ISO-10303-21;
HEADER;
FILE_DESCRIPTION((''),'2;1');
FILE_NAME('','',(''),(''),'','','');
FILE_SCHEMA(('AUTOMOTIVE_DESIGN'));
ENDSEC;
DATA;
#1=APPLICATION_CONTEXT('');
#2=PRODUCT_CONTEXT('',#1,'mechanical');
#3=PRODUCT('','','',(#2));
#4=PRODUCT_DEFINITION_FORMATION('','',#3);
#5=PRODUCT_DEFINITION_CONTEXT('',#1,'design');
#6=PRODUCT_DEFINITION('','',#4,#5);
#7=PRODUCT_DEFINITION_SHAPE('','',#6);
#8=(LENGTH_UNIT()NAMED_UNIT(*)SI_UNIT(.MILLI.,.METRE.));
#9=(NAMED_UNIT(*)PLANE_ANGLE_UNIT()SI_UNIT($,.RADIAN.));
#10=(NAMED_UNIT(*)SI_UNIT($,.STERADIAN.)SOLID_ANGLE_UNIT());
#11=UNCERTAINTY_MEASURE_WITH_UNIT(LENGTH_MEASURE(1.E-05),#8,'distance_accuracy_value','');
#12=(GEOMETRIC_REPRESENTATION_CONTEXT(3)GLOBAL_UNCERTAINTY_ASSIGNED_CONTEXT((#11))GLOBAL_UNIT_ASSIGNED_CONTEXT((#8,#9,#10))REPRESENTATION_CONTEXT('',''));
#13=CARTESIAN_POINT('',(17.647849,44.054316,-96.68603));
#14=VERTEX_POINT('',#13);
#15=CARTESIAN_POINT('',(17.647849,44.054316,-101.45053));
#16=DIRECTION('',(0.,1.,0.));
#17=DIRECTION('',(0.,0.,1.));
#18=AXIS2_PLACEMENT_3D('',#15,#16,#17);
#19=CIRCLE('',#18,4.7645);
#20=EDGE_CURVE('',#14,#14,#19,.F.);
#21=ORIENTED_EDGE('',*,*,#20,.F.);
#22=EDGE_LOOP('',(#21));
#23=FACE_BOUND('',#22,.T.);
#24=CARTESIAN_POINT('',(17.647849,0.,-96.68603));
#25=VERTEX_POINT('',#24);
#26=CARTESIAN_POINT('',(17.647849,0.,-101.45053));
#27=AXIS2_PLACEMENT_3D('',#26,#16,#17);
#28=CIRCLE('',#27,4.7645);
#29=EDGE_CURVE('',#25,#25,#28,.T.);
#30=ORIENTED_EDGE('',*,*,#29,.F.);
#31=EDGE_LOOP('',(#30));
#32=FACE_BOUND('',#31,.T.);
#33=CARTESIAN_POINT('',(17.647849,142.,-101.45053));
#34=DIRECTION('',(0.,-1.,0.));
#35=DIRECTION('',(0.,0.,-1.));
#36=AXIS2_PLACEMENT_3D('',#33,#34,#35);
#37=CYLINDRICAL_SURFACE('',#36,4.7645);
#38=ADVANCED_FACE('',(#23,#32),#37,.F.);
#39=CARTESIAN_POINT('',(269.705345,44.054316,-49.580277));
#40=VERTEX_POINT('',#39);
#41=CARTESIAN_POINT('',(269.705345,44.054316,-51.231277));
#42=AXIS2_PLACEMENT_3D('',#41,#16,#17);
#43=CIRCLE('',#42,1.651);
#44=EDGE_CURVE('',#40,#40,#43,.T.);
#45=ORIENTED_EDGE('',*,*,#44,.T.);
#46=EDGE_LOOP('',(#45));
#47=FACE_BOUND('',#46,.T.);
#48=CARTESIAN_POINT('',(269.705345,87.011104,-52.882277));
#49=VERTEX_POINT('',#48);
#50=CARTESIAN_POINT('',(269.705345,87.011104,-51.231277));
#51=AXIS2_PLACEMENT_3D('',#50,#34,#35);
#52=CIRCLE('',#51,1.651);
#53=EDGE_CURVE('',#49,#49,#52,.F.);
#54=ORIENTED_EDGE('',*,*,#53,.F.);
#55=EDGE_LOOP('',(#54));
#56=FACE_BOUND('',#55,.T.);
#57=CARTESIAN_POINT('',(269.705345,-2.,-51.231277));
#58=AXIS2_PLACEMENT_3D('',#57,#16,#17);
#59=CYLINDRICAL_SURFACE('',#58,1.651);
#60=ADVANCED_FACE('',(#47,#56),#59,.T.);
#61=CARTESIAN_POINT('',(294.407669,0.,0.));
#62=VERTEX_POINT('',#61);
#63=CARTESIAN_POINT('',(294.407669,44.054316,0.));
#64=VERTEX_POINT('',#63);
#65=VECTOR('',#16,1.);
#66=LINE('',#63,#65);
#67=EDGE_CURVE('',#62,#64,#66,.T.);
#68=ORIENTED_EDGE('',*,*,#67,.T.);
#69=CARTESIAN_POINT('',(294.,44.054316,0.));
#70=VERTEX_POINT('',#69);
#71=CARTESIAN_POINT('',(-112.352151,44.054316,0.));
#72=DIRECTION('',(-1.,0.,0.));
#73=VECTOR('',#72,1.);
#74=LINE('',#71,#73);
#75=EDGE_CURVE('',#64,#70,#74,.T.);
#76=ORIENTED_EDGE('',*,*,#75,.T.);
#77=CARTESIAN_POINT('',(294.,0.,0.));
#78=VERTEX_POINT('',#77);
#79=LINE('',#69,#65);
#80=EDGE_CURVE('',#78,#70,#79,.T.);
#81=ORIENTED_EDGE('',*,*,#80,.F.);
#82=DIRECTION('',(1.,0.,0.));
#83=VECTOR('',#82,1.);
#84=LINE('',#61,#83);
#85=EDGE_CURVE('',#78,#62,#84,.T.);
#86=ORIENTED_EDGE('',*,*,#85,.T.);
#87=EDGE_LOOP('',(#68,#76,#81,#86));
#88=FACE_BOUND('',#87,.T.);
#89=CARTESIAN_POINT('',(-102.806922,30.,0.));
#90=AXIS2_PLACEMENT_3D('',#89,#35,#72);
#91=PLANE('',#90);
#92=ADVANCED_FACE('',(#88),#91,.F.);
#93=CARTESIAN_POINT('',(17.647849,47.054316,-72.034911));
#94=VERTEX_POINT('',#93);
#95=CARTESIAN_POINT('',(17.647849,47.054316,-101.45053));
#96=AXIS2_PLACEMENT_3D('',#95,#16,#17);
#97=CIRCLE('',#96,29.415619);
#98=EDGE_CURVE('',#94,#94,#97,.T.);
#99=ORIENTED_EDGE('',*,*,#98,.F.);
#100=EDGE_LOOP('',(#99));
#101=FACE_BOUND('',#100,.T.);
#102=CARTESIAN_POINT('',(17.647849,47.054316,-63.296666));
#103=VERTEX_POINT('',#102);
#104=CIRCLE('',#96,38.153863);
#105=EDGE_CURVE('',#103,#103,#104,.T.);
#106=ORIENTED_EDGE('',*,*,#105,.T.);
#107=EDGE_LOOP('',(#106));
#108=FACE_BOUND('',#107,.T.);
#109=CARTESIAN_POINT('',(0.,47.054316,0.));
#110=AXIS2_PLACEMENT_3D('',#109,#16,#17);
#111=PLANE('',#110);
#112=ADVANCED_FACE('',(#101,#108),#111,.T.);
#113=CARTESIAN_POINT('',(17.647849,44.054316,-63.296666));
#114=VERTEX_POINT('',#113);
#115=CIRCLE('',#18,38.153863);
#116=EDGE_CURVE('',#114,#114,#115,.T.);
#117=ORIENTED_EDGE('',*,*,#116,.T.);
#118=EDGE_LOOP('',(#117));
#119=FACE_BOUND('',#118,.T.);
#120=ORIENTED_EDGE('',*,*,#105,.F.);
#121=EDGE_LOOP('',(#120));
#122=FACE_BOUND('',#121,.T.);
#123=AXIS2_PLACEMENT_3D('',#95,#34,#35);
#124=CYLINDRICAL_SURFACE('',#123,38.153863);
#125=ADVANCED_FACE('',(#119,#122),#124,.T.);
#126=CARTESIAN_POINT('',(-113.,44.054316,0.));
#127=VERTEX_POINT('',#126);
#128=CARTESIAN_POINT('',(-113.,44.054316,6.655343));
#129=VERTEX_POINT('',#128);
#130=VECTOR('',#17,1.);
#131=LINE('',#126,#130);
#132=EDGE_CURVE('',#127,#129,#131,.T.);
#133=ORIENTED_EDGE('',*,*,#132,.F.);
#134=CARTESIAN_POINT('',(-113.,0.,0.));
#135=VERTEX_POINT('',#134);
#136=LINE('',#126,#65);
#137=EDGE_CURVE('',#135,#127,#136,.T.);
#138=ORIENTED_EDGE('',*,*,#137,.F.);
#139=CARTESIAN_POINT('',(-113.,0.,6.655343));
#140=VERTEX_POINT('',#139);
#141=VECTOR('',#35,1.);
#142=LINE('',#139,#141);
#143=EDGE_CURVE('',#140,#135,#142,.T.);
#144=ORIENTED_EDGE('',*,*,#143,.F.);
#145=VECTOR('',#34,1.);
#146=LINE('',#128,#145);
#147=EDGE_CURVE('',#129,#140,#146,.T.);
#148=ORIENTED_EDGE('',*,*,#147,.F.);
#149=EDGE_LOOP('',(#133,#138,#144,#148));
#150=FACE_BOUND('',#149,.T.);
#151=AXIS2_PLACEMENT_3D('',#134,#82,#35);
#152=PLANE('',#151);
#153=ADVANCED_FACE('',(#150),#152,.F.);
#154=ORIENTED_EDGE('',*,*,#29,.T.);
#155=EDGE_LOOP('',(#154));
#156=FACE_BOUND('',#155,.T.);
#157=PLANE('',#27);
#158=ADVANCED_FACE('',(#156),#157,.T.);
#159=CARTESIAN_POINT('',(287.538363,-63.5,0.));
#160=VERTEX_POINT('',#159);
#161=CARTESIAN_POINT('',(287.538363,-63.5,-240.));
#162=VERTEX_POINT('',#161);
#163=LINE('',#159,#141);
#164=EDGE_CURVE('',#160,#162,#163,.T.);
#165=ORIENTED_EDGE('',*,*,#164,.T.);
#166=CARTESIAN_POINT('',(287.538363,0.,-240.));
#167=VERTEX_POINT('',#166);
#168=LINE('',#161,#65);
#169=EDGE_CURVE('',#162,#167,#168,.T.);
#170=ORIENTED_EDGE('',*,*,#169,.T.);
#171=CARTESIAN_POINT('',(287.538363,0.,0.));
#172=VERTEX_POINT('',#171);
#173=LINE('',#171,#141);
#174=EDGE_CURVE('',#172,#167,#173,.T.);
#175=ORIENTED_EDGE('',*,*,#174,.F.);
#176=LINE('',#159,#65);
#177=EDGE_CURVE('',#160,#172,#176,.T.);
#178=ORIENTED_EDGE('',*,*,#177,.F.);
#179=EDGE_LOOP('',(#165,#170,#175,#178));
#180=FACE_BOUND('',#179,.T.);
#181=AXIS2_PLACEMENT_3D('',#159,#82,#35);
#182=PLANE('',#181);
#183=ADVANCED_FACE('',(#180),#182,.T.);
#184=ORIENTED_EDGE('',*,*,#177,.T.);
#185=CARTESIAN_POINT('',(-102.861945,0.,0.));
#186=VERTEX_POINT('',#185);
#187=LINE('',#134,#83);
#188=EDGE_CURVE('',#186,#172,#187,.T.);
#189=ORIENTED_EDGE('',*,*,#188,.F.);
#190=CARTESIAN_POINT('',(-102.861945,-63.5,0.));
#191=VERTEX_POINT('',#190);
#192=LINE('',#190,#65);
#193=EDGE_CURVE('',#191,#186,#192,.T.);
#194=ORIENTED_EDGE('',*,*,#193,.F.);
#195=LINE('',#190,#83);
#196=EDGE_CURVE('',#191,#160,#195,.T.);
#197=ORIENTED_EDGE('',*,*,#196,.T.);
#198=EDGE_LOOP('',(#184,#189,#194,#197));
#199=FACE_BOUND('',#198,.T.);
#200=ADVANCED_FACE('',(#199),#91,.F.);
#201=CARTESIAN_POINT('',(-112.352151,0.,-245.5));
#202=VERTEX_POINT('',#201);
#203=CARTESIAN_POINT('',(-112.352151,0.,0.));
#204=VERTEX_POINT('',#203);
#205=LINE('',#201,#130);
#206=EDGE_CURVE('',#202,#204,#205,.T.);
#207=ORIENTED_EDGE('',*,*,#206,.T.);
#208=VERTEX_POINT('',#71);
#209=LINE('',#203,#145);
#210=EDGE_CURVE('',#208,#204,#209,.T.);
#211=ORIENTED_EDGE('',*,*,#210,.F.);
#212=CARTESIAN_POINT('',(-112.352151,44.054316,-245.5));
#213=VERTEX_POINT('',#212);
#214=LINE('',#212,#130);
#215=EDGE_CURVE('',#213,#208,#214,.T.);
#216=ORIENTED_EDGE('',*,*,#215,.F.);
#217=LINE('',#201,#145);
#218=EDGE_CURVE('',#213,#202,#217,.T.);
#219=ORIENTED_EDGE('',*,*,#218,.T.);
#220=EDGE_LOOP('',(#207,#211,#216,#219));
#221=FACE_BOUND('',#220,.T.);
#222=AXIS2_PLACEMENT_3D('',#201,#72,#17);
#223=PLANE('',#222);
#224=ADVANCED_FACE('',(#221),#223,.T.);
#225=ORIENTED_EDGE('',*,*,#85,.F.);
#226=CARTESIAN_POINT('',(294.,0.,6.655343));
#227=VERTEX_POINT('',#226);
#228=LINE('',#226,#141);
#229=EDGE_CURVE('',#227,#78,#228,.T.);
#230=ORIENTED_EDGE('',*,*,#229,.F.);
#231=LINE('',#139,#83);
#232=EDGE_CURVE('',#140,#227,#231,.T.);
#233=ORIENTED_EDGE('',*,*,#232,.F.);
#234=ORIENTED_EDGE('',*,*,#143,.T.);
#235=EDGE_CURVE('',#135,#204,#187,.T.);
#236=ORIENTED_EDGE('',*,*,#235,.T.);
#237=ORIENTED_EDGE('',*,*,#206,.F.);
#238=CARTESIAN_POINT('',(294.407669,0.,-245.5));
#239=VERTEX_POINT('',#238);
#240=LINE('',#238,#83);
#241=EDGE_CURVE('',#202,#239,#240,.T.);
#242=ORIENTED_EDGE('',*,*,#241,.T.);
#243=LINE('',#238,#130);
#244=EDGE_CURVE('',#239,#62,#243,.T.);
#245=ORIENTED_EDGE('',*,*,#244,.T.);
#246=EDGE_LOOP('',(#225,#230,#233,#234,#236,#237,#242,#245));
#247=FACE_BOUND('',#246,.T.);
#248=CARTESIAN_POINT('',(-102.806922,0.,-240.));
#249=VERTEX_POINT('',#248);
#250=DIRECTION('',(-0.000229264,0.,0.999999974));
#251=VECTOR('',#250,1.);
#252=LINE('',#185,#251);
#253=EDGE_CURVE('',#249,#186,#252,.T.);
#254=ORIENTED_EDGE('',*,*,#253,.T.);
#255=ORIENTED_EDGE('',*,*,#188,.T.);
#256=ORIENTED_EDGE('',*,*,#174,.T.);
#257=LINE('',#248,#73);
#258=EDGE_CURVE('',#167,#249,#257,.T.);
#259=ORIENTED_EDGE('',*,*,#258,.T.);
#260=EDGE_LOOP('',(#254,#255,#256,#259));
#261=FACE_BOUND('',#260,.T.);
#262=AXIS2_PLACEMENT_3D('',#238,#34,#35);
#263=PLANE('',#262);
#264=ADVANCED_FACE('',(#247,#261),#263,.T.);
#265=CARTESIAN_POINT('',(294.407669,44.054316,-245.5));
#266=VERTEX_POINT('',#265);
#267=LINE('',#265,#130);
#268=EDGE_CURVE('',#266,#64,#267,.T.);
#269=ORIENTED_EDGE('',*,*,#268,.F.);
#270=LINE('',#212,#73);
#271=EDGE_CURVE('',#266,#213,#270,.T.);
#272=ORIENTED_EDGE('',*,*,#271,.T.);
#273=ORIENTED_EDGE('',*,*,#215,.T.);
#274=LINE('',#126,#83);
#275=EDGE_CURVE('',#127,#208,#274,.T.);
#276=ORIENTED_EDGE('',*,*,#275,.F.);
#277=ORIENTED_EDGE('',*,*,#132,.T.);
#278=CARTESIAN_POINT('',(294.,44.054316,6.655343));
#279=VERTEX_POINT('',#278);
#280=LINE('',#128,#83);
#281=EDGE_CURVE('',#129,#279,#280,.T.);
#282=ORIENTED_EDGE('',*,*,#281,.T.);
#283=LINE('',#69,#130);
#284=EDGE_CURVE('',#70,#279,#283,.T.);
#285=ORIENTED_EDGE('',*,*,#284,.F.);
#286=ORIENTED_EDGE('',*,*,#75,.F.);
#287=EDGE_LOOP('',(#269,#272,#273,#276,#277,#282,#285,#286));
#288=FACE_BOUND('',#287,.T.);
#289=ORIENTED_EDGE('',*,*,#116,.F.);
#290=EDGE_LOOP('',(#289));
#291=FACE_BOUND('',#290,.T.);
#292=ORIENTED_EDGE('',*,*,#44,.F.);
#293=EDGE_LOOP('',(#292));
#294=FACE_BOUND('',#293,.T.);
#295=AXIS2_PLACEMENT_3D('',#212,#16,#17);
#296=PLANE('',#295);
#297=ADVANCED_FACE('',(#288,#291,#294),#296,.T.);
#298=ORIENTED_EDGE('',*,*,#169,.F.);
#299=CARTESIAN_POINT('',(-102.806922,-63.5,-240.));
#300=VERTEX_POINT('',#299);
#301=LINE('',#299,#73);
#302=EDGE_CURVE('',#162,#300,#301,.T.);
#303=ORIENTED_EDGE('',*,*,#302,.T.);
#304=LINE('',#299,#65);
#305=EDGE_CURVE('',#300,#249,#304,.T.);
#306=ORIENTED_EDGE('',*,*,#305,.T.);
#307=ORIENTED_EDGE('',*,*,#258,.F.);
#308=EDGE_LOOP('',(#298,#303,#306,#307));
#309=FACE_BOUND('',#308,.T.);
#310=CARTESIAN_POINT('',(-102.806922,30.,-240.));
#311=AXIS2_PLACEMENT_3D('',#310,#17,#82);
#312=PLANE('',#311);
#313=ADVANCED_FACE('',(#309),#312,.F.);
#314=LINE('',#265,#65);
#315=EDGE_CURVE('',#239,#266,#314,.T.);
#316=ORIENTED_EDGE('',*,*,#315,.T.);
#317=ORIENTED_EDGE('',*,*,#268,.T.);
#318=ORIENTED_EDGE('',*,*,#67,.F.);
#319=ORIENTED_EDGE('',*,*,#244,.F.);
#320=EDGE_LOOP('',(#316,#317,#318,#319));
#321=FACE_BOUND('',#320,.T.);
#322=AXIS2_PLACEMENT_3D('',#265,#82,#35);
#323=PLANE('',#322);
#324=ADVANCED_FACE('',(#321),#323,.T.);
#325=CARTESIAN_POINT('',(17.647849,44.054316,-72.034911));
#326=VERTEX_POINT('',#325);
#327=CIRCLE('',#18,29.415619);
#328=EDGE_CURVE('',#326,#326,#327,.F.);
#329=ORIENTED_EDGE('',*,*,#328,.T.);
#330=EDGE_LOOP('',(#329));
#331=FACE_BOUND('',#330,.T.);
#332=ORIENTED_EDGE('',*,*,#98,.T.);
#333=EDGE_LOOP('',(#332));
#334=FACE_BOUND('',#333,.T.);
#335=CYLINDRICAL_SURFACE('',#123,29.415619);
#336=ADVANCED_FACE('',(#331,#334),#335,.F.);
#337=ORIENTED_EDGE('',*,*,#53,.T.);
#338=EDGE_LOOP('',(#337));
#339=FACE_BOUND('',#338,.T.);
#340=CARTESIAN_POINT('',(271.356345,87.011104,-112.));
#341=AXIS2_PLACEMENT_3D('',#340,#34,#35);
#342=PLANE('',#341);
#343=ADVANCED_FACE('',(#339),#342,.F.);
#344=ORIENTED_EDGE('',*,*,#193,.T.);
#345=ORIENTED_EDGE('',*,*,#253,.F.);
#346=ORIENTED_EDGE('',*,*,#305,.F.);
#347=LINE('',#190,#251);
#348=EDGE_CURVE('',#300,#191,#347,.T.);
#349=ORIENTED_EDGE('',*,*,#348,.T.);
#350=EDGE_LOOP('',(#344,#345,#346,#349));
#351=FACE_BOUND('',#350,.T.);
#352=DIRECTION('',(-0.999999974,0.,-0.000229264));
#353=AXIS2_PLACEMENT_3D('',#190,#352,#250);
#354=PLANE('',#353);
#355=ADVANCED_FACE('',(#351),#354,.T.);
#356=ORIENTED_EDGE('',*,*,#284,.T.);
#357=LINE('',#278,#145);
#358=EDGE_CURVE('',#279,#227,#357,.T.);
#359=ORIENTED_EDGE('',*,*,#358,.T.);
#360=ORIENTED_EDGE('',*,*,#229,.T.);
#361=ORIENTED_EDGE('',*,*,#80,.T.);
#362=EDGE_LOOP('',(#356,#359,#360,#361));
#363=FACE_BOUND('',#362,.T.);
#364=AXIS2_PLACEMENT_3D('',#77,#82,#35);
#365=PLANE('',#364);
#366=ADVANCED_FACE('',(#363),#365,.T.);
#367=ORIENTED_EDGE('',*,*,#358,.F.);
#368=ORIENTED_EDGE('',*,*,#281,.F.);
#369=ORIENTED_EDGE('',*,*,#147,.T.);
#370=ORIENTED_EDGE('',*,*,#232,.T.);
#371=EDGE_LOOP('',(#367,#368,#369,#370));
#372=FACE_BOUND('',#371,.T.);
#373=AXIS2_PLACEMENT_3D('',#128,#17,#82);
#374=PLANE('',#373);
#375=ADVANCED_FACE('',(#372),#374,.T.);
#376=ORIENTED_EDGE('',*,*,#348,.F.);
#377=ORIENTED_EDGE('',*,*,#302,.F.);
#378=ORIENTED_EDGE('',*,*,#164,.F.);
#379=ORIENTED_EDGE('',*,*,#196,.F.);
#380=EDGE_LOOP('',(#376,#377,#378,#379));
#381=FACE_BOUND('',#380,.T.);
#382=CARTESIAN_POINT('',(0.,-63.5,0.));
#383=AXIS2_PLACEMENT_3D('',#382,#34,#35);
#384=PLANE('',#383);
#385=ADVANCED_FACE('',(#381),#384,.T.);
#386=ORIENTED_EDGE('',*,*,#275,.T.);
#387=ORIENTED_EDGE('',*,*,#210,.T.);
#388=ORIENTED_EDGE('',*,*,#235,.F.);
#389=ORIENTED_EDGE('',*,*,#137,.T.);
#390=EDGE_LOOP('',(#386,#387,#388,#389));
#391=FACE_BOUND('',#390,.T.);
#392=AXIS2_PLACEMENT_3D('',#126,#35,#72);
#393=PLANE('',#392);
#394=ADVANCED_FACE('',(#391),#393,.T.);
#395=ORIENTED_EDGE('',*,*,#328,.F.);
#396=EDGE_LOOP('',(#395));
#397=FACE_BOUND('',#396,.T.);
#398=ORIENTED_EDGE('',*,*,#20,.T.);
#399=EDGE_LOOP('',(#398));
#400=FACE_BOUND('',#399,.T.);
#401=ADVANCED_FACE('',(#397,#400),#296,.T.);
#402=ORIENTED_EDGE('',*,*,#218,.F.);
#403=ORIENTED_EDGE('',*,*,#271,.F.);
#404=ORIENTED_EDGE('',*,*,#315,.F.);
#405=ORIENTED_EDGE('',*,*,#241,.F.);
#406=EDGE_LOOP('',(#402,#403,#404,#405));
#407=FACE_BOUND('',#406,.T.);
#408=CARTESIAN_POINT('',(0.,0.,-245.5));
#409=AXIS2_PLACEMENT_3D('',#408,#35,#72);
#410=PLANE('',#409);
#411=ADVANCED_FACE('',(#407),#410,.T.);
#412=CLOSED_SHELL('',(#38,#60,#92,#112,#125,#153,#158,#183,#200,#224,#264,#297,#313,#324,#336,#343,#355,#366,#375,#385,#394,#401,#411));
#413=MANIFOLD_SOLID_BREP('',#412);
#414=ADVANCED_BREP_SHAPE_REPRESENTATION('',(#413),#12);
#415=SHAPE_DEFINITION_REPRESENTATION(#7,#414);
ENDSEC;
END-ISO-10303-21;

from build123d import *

# Parameters (mm, degrees)
CROQUIS1_W                   = 270
CROQUIS1_H                   = 240
SALIENTE_EXTRUIR1_DEPTH      = 30
CROQUIS1_W_2                 = 116.5
SALIENTE_EXTRUIR1_2_DEPTH    = 30
SALIENTE_EXTRUIR3_DEPTH      = 63.5
CROQUIS3_W                   = 406.759820342
CROQUIS3_H                   = 44.054315541
SALIENTE_EXTRUIR4_DEPTH      = 245.5
CROQUIS4_R                   = 38.153863336
CROQUIS4_R_2                 = 29.41561916
SALIENTE_EXTRUIR5_DEPTH      = 3
CROQUIS5_R                   = 4.7645
CORTAR_EXTRUIR1_DEPTH        = 142
CROQUIS6_W                   = 6.655343447
CROQUIS6_H                   = 44.054315541
SALIENTE_EXTRUIR6_DEPTH      = 294
SALIENTE_EXTRUIR6_DEPTH_BACK = 113
CROQUIS7_R                   = 1.651
SALIENTE_EXTRUIR8_DEPTH      = 112
SALIENTE_EXTRUIR8_DEPTH_BACK = 2
CROQUIS8_W                   = 3.302
CROQUIS8_H                   = 24.988896413
CORTAR_EXTRUIR2_DEPTH        = 112


with BuildPart() as part:
    # Croquis1 → Saliente-Extruir1 (new body)
    with BuildSketch(Plane(origin=(0, 0, 0), x_dir=(1, 0, 0), z_dir=(0, 1, 0))):
        with Locations((32.193078438, 120)):
            Rectangle(CROQUIS1_W, CROQUIS1_H)
    extrude(amount=SALIENTE_EXTRUIR1_DEPTH)



with BuildPart() as body_2:
    # Croquis1 → Saliente-Extruir1 2 (new body)
    with BuildSketch(Plane(origin=(0, 0, 0), x_dir=(1, 0, 0), z_dir=(0, 1, 0))):
        with Locations((229.288362697, 120)):
            Rectangle(CROQUIS1_W_2, CROQUIS1_H)
    extrude(amount=SALIENTE_EXTRUIR1_2_DEPTH)


with BuildPart() as part_1:
    add(part.part)

    add(body_2.part)  # Saliente-Extruir3 merges body 2
    # Croquis2 → Saliente-Extruir3 (add)
    with BuildSketch(Plane(origin=(0, 0, 0), x_dir=(1, 0, 0), z_dir=(0, 1, 0))):
        Polygon((-102.861944812, 0), (287.538362697, 0), (287.538362697, 240), (-102.806921562, 240), align=None)
    extrude(amount=-SALIENTE_EXTRUIR3_DEPTH)

    # Croquis3 → Saliente-Extruir4 (add)
    with BuildSketch(Plane.XY):
        with Locations((91.027758877, 22.027157771)):
            Rectangle(CROQUIS3_W, CROQUIS3_H)
    extrude(amount=-SALIENTE_EXTRUIR4_DEPTH)

    # Croquis4 → Saliente-Extruir5 (add)
    with BuildSketch(Plane(origin=(0, 44.054315541, 0), x_dir=(1, 0, 0), z_dir=(0, 1, 0))):
        with Locations((17.647848706, 101.450529821)):
            Circle(CROQUIS4_R)
        with Locations((17.647848706, 101.450529821)):
            Circle(CROQUIS4_R_2, mode=Mode.SUBTRACT)
    extrude(amount=SALIENTE_EXTRUIR5_DEPTH)

    # Croquis5 → Cortar-Extruir1 (cut)
    with BuildSketch(Plane(origin=(0, 0, 0), x_dir=(1, 0, 0), z_dir=(0, 1, 0))):
        with Locations((17.647848706, 101.450529821)):
            Circle(CROQUIS5_R)
    extrude(amount=CORTAR_EXTRUIR1_DEPTH, mode=Mode.SUBTRACT)

    # Croquis6 → Saliente-Extruir6 (add, two sides)
    with BuildSketch(Plane(origin=(0, 0, 0), x_dir=(0, 0, -1), z_dir=(1, 0, 0))) as saliente_extruir6_sk:
        with Locations((-3.327671724, 22.027157771)):
            Rectangle(CROQUIS6_W, CROQUIS6_H)
    extrude(amount=SALIENTE_EXTRUIR6_DEPTH)
    extrude(saliente_extruir6_sk.sketch, amount=-SALIENTE_EXTRUIR6_DEPTH_BACK)

    # Croquis7 → Saliente-Extruir8 (add, two sides)
    with BuildSketch(Plane(origin=(0, 0, 0), x_dir=(1, 0, 0), z_dir=(0, 1, 0))) as saliente_extruir8_sk:
        with Locations((269.705344772, 51.231276753)):
            Circle(CROQUIS7_R)
    extrude(amount=SALIENTE_EXTRUIR8_DEPTH)
    extrude(saliente_extruir8_sk.sketch, amount=-SALIENTE_EXTRUIR8_DEPTH_BACK)

    # Croquis8 → Cortar-Extruir2 (cut)
    with BuildSketch(Plane.XY):
        with Locations((269.705344772, 99.505551794)):
            Rectangle(CROQUIS8_W, CROQUIS8_H)
    extrude(amount=-CORTAR_EXTRUIR2_DEPTH, mode=Mode.SUBTRACT)


solid = part_1.part
